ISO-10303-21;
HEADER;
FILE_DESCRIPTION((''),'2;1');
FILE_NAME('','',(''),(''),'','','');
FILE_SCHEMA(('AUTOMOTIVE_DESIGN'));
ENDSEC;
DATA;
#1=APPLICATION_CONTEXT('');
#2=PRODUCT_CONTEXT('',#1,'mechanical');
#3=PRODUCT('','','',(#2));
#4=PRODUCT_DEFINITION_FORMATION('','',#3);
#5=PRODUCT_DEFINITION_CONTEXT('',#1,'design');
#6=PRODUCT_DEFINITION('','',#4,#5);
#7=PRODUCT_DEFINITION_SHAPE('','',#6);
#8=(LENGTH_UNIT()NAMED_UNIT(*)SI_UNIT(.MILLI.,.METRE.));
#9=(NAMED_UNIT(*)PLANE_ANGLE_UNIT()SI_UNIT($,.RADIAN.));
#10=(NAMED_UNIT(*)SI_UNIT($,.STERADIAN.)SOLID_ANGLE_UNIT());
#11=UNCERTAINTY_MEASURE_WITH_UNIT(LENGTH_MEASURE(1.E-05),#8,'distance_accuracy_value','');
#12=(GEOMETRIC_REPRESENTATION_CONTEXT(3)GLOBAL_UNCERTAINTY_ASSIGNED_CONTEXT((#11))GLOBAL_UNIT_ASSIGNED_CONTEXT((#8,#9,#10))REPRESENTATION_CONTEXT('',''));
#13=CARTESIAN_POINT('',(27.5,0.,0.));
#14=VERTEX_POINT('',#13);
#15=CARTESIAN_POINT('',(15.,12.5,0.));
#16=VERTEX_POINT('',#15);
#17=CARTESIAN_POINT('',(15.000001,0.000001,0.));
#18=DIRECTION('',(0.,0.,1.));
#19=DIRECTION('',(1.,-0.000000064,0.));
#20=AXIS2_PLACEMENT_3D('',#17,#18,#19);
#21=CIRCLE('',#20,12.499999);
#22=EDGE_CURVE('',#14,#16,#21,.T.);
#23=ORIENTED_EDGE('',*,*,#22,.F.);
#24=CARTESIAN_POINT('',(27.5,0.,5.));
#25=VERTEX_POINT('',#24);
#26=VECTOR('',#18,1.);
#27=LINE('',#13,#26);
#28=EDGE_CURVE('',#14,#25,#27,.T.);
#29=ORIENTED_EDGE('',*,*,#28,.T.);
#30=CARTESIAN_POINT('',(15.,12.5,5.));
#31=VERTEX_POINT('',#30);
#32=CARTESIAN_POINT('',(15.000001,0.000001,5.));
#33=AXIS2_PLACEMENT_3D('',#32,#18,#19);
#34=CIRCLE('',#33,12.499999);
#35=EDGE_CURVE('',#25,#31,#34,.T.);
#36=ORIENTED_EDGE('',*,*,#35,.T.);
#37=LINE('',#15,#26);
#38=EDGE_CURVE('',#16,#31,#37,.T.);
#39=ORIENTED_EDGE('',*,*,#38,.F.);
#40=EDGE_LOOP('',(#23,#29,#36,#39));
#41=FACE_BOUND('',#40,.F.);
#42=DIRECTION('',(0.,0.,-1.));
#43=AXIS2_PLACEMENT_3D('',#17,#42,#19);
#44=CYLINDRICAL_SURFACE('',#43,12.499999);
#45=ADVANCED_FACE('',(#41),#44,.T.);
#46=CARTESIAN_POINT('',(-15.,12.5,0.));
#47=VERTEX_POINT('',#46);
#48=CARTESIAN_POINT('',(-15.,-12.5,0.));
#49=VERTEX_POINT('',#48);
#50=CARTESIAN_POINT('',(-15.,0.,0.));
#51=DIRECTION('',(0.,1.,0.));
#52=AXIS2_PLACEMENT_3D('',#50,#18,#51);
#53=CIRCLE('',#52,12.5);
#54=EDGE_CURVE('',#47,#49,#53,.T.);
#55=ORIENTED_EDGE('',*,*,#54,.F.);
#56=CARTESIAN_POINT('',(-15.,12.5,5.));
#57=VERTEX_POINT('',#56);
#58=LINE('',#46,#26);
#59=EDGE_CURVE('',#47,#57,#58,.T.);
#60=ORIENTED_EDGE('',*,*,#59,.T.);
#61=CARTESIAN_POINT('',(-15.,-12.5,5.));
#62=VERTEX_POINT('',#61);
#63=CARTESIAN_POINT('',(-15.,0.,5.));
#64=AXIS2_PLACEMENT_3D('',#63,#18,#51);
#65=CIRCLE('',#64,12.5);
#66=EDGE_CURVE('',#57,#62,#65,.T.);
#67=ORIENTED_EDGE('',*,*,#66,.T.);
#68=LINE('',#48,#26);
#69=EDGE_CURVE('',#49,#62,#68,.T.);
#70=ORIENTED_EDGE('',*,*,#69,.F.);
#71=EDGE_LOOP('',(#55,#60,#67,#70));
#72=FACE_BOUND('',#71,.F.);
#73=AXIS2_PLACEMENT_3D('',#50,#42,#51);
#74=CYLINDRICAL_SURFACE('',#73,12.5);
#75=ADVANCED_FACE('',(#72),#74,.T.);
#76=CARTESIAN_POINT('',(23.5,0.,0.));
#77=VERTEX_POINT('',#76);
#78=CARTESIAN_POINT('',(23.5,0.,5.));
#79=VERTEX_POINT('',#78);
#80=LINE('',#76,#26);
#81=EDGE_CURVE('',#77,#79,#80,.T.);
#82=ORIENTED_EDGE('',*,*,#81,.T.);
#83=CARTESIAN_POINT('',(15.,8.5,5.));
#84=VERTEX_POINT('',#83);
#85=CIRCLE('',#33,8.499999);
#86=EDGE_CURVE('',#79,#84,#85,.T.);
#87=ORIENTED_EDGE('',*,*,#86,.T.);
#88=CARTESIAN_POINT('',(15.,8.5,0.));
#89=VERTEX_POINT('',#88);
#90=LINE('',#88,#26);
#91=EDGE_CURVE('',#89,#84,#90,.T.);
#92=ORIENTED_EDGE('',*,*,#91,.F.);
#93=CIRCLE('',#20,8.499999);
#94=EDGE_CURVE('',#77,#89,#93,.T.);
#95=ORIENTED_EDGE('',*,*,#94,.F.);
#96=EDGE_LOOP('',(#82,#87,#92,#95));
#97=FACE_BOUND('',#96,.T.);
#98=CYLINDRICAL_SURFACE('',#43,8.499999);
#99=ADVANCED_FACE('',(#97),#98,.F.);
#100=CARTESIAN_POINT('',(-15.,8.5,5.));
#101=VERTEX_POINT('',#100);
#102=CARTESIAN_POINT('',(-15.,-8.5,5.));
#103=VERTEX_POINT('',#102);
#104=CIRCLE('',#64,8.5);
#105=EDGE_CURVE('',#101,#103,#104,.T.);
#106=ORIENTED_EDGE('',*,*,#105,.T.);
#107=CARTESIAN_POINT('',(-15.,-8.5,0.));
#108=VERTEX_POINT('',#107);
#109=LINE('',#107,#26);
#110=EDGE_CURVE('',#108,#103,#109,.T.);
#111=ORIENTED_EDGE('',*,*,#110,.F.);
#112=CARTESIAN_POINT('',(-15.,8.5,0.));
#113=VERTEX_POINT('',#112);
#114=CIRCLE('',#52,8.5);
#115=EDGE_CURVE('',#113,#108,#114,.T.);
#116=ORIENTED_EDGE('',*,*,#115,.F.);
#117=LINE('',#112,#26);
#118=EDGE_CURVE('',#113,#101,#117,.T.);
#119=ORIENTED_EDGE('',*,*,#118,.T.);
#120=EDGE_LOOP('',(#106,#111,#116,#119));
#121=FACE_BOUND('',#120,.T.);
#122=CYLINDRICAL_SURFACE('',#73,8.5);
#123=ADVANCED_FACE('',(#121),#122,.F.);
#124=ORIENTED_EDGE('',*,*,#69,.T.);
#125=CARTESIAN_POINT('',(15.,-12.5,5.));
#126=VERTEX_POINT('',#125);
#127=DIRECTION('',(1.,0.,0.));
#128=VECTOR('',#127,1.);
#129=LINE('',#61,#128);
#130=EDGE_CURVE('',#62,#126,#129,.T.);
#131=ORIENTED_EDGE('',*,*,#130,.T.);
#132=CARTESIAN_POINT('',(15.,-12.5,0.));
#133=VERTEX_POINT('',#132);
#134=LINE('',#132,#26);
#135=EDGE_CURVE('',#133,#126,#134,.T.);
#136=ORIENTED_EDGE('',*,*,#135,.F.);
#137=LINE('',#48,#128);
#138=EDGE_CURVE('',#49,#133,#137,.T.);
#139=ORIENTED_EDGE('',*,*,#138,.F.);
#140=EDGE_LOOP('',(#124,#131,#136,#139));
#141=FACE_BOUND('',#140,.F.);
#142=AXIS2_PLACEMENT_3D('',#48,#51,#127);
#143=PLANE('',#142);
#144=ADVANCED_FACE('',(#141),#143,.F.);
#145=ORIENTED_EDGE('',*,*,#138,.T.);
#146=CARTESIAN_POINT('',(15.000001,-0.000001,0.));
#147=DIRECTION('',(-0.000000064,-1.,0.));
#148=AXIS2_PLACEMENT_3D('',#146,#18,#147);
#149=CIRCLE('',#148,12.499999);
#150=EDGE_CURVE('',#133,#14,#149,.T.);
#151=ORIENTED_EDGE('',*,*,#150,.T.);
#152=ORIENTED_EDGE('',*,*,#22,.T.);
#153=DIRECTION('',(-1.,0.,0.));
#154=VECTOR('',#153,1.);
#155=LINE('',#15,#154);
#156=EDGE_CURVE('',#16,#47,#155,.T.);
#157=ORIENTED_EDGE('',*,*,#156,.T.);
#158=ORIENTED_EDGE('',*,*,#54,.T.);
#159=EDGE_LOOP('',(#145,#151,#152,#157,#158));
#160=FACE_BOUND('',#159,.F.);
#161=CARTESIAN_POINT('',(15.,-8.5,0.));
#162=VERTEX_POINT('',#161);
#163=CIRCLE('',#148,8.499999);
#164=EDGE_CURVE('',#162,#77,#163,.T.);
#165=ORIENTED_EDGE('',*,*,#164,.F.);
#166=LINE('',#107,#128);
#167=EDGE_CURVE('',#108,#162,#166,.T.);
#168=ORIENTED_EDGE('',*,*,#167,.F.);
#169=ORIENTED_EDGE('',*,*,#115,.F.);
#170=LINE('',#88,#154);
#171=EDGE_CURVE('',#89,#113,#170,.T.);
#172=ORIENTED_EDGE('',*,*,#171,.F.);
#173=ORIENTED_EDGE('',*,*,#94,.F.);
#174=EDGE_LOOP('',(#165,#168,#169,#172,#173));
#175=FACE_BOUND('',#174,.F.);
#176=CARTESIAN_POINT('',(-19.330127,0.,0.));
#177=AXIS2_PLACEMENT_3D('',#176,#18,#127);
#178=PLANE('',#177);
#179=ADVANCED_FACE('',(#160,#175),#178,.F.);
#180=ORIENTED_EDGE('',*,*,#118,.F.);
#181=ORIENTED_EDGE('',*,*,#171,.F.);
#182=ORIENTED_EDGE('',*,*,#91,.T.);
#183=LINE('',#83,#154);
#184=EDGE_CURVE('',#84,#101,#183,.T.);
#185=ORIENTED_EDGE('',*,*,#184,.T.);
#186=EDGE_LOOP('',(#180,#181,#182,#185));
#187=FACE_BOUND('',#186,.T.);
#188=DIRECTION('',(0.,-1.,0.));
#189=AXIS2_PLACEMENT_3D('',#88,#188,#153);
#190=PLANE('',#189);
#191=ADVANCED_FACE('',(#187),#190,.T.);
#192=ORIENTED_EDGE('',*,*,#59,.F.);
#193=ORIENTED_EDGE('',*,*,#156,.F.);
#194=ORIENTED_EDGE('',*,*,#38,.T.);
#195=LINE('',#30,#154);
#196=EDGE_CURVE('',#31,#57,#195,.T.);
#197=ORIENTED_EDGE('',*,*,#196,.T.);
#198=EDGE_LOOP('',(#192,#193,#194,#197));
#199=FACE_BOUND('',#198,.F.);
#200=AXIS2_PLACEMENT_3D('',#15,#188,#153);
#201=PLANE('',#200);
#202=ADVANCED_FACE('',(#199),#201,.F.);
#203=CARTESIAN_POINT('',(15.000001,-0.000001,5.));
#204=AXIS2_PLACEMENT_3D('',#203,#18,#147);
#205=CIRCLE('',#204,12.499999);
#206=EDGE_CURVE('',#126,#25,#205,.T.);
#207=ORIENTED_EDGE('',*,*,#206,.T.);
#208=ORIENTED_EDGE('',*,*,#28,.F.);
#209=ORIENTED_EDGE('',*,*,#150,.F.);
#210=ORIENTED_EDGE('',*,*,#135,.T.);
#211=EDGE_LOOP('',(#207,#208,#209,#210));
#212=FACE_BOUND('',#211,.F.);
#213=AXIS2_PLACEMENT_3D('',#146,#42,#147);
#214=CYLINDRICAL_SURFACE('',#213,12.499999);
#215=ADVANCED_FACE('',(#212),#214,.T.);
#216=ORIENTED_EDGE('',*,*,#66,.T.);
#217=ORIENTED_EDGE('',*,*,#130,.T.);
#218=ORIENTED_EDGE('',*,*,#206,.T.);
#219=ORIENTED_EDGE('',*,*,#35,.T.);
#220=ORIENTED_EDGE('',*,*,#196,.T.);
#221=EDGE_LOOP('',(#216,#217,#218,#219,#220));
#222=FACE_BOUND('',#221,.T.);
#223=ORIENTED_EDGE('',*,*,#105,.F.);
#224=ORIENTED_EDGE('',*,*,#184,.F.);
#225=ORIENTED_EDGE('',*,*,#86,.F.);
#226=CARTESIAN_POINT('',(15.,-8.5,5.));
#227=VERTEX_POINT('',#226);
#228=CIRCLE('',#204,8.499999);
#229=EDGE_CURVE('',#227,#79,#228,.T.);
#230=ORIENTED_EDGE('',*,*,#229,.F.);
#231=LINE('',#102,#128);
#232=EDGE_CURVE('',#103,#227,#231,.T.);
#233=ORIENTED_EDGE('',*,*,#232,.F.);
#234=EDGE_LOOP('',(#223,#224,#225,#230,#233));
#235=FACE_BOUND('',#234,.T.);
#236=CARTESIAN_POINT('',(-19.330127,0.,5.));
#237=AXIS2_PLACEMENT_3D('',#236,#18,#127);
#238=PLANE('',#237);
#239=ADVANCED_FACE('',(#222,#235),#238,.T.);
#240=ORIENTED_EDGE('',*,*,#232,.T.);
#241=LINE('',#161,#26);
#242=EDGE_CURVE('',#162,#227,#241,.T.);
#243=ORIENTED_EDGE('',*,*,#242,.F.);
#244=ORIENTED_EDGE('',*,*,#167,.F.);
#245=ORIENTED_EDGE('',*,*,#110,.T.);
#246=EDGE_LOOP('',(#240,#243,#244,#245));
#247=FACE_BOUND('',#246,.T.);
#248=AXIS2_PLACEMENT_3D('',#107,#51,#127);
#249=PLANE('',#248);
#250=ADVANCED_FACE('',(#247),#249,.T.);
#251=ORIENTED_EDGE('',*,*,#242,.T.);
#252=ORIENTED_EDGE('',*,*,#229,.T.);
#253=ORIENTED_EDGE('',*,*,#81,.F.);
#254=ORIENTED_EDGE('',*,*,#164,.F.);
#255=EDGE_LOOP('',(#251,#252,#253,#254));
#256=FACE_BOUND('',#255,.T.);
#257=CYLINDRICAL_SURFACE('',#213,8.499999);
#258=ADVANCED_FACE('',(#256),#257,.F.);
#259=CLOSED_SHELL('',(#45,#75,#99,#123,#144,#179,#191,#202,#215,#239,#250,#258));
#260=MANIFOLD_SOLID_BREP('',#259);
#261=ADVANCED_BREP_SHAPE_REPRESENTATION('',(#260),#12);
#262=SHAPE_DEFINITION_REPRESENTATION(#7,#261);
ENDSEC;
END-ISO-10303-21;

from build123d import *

# Parameters (mm, degrees)
F1_DEPTH = 5
F2_T     = -4


with BuildPart() as f1:
    # F0 (on Top) → F1 (new body)
    with BuildSketch(Plane.XY):
        with BuildLine():
            Line((-15, -12.5), (-15, 12.5))
            ThreePointArc((-15, 12.5), (-27.5, 0), (-15, -12.5))
        make_face()
        with BuildLine():
            ThreePointArc((-2.5, 0), (-6.161165, 8.838835), (-15, 12.5))
            Line((-15, 12.5), (-15, -12.5))
            ThreePointArc((-15, -12.5), (-6.161165, -8.838835), (-2.5, 0))
        make_face()
        with BuildLine():
            ThreePointArc((15, -12.5), (2.5, 0), (15, 12.5))
            Line((15, 12.5), (-15, 12.5))
            ThreePointArc((-15, 12.5), (-6.161165, 8.838835), (-2.5, 0))
            ThreePointArc((-2.5, 0), (-6.161165, -8.838835), (-15, -12.5))
            Line((-15, -12.5), (15, -12.5))
        make_face()
        with BuildLine():
            Line((15, -12.5), (15, 12.5))
            ThreePointArc((15, 12.5), (2.5, 0), (15, -12.5))
        make_face()
        with BuildLine():
            ThreePointArc((27.5, 0), (23.838835, 8.838835), (15, 12.5))
            Line((15, 12.5), (15, -12.5))
            ThreePointArc((15, -12.5), (23.838835, -8.838835), (27.5, 0))
        make_face()
    extrude(amount=F1_DEPTH)

    # F2
    f2_openings = [f1.faces().sort_by_distance(p)[0] for p in [
        (0, 0, 5),
        (0, 0, 0),
    ]]
    offset(amount=F2_T, openings=f2_openings)


solid = f1.part
